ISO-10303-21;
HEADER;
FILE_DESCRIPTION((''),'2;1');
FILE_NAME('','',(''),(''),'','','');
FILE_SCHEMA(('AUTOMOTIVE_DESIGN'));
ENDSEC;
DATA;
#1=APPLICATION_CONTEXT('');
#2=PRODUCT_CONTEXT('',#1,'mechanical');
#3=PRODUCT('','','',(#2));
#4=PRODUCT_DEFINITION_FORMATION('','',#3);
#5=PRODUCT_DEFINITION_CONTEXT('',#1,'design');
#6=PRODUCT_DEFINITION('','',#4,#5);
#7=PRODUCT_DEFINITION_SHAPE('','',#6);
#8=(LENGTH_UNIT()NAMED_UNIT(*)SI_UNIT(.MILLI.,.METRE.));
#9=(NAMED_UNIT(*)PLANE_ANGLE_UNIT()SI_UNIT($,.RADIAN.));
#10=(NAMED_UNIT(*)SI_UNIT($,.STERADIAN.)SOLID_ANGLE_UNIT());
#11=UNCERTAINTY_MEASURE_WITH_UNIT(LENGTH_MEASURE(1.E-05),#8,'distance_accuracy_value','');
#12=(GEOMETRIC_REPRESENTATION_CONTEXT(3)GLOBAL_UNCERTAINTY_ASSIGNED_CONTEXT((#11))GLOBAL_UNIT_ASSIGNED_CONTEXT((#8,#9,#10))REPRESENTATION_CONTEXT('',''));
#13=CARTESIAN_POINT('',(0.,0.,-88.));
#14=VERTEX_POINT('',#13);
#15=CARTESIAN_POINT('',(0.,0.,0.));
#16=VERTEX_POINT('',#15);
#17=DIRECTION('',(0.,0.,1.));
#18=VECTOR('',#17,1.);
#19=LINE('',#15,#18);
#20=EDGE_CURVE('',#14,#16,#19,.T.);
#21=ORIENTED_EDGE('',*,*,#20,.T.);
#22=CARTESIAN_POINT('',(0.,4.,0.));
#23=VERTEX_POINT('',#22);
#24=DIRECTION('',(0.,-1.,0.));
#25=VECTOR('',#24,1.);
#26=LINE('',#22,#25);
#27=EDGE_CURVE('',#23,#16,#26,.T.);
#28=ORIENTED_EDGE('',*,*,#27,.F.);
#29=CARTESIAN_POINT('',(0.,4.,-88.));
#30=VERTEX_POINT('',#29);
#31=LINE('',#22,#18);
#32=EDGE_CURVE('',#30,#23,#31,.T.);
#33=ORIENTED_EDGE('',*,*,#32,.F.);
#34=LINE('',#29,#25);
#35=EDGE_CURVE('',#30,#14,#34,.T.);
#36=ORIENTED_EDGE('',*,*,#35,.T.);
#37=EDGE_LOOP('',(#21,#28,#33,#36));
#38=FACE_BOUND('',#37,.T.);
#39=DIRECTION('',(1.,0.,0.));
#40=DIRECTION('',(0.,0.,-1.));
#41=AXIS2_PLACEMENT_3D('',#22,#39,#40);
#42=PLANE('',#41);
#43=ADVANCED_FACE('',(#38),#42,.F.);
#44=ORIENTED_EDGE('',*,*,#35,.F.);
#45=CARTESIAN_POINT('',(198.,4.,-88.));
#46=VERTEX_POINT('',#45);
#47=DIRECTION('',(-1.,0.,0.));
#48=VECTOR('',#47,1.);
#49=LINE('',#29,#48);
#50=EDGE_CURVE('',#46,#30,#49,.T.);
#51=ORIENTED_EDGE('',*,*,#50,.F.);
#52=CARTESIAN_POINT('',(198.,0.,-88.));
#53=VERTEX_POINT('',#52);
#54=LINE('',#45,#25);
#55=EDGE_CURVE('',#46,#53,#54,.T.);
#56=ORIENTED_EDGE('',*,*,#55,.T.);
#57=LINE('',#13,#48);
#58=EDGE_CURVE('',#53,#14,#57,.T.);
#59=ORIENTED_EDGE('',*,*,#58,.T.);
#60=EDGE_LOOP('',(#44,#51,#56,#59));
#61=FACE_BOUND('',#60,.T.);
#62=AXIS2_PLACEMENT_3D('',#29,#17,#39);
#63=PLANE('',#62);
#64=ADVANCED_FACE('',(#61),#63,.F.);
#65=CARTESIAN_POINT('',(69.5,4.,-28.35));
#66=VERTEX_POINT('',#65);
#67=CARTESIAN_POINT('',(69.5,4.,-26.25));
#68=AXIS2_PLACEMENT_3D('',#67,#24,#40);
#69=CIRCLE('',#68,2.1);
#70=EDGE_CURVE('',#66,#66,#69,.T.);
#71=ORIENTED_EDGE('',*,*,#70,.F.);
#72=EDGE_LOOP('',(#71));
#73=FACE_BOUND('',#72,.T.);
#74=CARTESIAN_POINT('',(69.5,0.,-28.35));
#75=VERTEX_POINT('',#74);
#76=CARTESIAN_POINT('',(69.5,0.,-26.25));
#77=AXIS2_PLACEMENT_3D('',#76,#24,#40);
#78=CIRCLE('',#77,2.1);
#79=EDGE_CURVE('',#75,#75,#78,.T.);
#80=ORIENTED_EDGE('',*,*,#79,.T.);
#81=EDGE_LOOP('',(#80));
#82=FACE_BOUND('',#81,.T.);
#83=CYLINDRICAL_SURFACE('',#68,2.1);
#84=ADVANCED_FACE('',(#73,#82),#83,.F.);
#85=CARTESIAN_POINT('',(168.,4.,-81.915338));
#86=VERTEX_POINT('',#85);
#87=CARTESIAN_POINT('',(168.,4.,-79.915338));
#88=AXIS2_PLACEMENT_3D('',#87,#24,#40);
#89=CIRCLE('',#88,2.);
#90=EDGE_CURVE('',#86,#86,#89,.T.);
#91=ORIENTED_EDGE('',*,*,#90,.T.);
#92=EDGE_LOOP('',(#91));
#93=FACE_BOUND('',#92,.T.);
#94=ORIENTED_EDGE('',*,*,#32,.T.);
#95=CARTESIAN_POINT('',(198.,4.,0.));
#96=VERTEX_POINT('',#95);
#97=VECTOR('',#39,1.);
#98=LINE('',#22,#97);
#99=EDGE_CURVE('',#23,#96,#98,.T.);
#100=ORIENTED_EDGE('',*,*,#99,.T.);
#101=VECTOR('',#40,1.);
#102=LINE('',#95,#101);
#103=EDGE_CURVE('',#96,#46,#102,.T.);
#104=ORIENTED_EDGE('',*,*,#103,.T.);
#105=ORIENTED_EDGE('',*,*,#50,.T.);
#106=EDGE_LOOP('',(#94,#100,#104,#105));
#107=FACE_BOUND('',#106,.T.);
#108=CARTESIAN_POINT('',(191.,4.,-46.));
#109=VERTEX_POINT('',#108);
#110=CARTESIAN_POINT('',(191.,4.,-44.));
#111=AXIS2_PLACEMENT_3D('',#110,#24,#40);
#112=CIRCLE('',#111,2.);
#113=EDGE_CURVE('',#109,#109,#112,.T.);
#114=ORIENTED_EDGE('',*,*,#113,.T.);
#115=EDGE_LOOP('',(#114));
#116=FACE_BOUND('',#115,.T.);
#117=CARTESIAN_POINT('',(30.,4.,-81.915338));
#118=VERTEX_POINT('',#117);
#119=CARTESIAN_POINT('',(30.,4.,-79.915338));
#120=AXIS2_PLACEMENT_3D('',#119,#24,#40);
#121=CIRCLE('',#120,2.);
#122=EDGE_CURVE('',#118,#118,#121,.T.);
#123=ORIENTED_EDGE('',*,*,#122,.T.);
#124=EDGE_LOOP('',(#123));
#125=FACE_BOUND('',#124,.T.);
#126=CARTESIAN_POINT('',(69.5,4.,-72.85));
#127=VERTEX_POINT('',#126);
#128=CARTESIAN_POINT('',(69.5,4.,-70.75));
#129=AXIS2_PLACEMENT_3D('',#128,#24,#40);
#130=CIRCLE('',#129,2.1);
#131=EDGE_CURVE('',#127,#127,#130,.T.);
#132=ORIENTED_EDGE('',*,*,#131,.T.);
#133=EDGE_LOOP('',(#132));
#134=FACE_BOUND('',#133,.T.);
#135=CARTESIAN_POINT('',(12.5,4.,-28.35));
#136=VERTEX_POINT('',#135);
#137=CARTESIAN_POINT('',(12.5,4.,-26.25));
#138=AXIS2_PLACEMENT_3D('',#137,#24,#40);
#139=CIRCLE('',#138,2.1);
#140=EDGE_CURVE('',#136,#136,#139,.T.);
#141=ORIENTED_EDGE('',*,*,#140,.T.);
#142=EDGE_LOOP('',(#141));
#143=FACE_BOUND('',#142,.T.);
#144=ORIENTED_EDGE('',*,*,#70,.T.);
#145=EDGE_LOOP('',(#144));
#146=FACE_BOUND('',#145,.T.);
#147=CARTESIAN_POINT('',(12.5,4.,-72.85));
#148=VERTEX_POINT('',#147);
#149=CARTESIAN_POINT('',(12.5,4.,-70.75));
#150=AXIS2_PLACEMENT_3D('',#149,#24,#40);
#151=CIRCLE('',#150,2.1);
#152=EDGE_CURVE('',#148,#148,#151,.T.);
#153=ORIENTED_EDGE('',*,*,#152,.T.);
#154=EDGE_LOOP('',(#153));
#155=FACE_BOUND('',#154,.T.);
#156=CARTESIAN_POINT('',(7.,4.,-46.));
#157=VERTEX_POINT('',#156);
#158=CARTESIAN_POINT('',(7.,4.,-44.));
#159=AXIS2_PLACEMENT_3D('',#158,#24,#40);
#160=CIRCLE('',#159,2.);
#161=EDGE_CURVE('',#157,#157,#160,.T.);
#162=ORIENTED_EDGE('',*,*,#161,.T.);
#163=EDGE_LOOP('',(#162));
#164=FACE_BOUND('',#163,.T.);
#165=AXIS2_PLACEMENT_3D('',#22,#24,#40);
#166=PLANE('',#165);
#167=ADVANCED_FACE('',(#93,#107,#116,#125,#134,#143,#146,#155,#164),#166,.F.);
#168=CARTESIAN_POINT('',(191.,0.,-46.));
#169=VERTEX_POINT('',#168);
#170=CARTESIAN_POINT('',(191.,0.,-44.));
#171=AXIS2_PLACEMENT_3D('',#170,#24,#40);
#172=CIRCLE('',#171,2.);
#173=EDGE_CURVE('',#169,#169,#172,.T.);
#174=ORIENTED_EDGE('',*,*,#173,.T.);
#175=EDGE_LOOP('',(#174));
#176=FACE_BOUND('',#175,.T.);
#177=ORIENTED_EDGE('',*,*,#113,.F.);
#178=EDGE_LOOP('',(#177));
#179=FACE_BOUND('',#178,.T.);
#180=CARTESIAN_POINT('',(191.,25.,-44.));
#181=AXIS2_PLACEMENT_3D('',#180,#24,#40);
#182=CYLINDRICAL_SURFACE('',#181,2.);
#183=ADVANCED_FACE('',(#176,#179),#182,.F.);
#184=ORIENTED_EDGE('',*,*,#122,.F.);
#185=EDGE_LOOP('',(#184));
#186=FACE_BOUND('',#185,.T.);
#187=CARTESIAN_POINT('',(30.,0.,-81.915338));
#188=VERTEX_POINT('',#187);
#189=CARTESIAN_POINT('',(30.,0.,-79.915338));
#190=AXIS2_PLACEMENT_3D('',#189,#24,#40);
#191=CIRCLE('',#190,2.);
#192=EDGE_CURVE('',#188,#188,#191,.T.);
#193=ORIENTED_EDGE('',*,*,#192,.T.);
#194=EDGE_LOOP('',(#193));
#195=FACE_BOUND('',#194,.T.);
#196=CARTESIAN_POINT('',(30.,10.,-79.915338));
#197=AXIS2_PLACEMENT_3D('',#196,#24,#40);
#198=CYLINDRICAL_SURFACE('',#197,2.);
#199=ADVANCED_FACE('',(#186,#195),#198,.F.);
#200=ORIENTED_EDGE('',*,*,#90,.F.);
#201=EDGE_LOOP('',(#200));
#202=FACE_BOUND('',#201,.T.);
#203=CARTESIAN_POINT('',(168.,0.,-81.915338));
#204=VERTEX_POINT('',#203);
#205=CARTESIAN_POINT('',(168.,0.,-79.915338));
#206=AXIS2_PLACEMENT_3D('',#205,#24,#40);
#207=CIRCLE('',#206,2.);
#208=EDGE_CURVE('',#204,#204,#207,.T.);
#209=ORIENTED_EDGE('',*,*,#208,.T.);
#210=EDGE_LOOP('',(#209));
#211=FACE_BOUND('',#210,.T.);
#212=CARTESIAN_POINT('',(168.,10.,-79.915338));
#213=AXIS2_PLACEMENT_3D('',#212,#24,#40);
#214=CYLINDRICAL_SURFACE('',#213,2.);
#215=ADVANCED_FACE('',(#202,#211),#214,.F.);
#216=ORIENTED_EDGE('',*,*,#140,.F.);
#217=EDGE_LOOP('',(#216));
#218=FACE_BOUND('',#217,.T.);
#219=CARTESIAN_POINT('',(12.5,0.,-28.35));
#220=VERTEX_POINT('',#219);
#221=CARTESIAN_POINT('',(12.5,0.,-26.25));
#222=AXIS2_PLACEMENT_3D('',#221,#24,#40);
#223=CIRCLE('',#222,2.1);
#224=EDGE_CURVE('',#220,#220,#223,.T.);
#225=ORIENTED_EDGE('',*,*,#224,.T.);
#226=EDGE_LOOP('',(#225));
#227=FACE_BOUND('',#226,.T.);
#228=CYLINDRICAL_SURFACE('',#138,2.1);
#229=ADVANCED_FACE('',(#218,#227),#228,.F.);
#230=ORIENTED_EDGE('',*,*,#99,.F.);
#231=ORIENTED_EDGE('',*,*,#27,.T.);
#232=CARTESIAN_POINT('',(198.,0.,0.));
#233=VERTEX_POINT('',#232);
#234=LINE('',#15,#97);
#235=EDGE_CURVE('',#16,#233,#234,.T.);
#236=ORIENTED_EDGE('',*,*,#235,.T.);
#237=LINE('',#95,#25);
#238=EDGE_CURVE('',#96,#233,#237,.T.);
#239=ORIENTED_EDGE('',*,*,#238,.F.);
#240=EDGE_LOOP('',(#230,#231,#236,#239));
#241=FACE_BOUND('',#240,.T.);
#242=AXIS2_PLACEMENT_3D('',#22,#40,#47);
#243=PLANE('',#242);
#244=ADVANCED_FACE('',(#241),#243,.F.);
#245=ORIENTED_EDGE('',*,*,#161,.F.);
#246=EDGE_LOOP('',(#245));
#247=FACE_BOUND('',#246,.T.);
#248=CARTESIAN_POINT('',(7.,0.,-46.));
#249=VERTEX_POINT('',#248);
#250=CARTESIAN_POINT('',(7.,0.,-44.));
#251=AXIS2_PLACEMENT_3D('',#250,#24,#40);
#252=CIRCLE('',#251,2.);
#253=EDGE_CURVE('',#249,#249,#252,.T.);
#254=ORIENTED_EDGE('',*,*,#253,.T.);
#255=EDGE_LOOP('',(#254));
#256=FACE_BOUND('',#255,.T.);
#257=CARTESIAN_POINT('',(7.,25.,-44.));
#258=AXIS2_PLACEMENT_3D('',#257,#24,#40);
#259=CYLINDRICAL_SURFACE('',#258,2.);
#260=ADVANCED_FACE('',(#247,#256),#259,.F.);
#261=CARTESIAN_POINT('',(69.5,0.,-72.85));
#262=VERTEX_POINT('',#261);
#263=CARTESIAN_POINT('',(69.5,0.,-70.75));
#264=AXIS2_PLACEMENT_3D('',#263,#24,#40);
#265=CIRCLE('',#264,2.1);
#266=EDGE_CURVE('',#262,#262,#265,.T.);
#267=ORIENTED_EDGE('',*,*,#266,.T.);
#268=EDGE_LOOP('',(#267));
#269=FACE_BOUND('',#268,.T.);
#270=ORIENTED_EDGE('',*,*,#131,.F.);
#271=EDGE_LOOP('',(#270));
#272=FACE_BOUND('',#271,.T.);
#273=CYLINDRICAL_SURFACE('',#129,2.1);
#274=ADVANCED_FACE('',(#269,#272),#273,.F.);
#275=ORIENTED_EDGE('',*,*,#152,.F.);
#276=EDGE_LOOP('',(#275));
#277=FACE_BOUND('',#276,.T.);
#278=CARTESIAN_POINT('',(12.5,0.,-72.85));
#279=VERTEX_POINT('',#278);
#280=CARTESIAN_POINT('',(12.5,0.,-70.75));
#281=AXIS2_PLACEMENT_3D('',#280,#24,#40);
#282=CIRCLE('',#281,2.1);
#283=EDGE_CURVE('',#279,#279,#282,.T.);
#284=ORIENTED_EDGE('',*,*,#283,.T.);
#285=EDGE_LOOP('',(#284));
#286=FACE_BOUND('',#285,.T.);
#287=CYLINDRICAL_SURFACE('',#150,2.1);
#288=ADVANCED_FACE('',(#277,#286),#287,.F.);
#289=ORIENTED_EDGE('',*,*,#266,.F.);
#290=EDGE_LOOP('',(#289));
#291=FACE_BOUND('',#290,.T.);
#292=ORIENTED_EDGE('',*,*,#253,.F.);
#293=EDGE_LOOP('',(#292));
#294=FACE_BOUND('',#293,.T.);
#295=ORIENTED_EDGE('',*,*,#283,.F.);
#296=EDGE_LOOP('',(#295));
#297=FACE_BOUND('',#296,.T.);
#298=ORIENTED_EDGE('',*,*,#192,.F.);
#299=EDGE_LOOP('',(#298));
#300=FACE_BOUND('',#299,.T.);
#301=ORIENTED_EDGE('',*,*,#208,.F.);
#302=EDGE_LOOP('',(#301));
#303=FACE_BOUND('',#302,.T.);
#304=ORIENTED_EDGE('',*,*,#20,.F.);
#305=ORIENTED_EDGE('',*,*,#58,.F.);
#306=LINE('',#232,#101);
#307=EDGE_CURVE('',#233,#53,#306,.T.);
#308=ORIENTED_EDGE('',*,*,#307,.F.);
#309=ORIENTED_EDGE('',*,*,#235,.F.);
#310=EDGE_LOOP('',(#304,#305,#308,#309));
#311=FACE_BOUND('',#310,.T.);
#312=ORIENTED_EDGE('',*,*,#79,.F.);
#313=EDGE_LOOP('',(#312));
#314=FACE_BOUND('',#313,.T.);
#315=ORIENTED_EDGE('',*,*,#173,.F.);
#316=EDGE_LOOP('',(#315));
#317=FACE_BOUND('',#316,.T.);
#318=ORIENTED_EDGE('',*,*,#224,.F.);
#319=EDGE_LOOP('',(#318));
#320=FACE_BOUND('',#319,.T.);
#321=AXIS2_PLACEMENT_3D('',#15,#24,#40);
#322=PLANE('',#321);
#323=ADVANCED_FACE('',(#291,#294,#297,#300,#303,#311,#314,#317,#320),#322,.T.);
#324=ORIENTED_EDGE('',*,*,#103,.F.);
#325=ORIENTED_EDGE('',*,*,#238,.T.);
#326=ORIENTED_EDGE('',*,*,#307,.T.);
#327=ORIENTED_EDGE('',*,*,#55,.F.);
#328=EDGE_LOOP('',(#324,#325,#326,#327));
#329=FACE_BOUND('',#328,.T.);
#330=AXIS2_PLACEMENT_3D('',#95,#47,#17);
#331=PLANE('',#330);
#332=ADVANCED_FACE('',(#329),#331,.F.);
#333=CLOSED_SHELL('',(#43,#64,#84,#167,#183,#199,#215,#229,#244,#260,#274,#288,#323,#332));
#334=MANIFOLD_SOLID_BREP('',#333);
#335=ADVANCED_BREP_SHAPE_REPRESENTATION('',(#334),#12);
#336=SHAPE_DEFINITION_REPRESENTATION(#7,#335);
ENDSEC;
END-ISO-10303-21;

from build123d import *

# Parameters (mm, degrees)
SKETCH1_W           = 198
SKETCH1_H           = 88
BOSS_EXTRUDE1_DEPTH = 4
SKETCH2_R           = 2.1
CUT_EXTRUDE1_DEPTH  = 217.711790173
SKETCH3_R           = 2
CUT_EXTRUDE2_DEPTH  = 10
SKETCH4_R           = 2
CUT_EXTRUDE3_DEPTH  = 25


with BuildPart() as part:
    # Sketch1 → Boss-Extrude1 (new body)
    with BuildSketch(Plane(origin=(0, 0, 0), x_dir=(1, 0, 0), z_dir=(0, 1, 0))):
        with Locations((99, 44)):
            Rectangle(SKETCH1_W, SKETCH1_H)
    extrude(amount=BOSS_EXTRUDE1_DEPTH)

    # Sketch2 → Cut-Extrude1 (cut, through all)
    with BuildSketch(Plane.XZ):
        with Locations(Location((12.5, -26.25, 0), (0, 0, 270))):
            Circle(SKETCH2_R)
        with Locations(Location((69.5, -26.25, 0), (0, 0, 270))):
            Circle(SKETCH2_R)
        with Locations(Location((69.5, -70.75, 0), (0, 0, 270))):
            Circle(SKETCH2_R)
        with Locations(Location((12.5, -70.75, 0), (0, 0, 270))):
            Circle(SKETCH2_R)
    extrude(amount=-CUT_EXTRUDE1_DEPTH, mode=Mode.SUBTRACT)

    # Sketch3 → Cut-Extrude2 (cut)
    with BuildSketch(Plane.XZ):
        with Locations(Location((30, -79.91533843, 0), (0, 0, 270))):
            Circle(SKETCH3_R)
        with Locations(Location((168, -79.91533843, 0), (0, 0, 270))):
            Circle(SKETCH3_R)
    extrude(amount=-CUT_EXTRUDE2_DEPTH, mode=Mode.SUBTRACT)

    # Sketch4 → Cut-Extrude3 (cut)
    with BuildSketch(Plane.XZ):
        with Locations(Location((7, -44, 0), (0, 0, 270))):
            Circle(SKETCH4_R)
        with Locations(Location((191, -44, 0), (0, 0, 270))):
            Circle(SKETCH4_R)
    extrude(amount=-CUT_EXTRUDE3_DEPTH, mode=Mode.SUBTRACT)


solid = part.part
